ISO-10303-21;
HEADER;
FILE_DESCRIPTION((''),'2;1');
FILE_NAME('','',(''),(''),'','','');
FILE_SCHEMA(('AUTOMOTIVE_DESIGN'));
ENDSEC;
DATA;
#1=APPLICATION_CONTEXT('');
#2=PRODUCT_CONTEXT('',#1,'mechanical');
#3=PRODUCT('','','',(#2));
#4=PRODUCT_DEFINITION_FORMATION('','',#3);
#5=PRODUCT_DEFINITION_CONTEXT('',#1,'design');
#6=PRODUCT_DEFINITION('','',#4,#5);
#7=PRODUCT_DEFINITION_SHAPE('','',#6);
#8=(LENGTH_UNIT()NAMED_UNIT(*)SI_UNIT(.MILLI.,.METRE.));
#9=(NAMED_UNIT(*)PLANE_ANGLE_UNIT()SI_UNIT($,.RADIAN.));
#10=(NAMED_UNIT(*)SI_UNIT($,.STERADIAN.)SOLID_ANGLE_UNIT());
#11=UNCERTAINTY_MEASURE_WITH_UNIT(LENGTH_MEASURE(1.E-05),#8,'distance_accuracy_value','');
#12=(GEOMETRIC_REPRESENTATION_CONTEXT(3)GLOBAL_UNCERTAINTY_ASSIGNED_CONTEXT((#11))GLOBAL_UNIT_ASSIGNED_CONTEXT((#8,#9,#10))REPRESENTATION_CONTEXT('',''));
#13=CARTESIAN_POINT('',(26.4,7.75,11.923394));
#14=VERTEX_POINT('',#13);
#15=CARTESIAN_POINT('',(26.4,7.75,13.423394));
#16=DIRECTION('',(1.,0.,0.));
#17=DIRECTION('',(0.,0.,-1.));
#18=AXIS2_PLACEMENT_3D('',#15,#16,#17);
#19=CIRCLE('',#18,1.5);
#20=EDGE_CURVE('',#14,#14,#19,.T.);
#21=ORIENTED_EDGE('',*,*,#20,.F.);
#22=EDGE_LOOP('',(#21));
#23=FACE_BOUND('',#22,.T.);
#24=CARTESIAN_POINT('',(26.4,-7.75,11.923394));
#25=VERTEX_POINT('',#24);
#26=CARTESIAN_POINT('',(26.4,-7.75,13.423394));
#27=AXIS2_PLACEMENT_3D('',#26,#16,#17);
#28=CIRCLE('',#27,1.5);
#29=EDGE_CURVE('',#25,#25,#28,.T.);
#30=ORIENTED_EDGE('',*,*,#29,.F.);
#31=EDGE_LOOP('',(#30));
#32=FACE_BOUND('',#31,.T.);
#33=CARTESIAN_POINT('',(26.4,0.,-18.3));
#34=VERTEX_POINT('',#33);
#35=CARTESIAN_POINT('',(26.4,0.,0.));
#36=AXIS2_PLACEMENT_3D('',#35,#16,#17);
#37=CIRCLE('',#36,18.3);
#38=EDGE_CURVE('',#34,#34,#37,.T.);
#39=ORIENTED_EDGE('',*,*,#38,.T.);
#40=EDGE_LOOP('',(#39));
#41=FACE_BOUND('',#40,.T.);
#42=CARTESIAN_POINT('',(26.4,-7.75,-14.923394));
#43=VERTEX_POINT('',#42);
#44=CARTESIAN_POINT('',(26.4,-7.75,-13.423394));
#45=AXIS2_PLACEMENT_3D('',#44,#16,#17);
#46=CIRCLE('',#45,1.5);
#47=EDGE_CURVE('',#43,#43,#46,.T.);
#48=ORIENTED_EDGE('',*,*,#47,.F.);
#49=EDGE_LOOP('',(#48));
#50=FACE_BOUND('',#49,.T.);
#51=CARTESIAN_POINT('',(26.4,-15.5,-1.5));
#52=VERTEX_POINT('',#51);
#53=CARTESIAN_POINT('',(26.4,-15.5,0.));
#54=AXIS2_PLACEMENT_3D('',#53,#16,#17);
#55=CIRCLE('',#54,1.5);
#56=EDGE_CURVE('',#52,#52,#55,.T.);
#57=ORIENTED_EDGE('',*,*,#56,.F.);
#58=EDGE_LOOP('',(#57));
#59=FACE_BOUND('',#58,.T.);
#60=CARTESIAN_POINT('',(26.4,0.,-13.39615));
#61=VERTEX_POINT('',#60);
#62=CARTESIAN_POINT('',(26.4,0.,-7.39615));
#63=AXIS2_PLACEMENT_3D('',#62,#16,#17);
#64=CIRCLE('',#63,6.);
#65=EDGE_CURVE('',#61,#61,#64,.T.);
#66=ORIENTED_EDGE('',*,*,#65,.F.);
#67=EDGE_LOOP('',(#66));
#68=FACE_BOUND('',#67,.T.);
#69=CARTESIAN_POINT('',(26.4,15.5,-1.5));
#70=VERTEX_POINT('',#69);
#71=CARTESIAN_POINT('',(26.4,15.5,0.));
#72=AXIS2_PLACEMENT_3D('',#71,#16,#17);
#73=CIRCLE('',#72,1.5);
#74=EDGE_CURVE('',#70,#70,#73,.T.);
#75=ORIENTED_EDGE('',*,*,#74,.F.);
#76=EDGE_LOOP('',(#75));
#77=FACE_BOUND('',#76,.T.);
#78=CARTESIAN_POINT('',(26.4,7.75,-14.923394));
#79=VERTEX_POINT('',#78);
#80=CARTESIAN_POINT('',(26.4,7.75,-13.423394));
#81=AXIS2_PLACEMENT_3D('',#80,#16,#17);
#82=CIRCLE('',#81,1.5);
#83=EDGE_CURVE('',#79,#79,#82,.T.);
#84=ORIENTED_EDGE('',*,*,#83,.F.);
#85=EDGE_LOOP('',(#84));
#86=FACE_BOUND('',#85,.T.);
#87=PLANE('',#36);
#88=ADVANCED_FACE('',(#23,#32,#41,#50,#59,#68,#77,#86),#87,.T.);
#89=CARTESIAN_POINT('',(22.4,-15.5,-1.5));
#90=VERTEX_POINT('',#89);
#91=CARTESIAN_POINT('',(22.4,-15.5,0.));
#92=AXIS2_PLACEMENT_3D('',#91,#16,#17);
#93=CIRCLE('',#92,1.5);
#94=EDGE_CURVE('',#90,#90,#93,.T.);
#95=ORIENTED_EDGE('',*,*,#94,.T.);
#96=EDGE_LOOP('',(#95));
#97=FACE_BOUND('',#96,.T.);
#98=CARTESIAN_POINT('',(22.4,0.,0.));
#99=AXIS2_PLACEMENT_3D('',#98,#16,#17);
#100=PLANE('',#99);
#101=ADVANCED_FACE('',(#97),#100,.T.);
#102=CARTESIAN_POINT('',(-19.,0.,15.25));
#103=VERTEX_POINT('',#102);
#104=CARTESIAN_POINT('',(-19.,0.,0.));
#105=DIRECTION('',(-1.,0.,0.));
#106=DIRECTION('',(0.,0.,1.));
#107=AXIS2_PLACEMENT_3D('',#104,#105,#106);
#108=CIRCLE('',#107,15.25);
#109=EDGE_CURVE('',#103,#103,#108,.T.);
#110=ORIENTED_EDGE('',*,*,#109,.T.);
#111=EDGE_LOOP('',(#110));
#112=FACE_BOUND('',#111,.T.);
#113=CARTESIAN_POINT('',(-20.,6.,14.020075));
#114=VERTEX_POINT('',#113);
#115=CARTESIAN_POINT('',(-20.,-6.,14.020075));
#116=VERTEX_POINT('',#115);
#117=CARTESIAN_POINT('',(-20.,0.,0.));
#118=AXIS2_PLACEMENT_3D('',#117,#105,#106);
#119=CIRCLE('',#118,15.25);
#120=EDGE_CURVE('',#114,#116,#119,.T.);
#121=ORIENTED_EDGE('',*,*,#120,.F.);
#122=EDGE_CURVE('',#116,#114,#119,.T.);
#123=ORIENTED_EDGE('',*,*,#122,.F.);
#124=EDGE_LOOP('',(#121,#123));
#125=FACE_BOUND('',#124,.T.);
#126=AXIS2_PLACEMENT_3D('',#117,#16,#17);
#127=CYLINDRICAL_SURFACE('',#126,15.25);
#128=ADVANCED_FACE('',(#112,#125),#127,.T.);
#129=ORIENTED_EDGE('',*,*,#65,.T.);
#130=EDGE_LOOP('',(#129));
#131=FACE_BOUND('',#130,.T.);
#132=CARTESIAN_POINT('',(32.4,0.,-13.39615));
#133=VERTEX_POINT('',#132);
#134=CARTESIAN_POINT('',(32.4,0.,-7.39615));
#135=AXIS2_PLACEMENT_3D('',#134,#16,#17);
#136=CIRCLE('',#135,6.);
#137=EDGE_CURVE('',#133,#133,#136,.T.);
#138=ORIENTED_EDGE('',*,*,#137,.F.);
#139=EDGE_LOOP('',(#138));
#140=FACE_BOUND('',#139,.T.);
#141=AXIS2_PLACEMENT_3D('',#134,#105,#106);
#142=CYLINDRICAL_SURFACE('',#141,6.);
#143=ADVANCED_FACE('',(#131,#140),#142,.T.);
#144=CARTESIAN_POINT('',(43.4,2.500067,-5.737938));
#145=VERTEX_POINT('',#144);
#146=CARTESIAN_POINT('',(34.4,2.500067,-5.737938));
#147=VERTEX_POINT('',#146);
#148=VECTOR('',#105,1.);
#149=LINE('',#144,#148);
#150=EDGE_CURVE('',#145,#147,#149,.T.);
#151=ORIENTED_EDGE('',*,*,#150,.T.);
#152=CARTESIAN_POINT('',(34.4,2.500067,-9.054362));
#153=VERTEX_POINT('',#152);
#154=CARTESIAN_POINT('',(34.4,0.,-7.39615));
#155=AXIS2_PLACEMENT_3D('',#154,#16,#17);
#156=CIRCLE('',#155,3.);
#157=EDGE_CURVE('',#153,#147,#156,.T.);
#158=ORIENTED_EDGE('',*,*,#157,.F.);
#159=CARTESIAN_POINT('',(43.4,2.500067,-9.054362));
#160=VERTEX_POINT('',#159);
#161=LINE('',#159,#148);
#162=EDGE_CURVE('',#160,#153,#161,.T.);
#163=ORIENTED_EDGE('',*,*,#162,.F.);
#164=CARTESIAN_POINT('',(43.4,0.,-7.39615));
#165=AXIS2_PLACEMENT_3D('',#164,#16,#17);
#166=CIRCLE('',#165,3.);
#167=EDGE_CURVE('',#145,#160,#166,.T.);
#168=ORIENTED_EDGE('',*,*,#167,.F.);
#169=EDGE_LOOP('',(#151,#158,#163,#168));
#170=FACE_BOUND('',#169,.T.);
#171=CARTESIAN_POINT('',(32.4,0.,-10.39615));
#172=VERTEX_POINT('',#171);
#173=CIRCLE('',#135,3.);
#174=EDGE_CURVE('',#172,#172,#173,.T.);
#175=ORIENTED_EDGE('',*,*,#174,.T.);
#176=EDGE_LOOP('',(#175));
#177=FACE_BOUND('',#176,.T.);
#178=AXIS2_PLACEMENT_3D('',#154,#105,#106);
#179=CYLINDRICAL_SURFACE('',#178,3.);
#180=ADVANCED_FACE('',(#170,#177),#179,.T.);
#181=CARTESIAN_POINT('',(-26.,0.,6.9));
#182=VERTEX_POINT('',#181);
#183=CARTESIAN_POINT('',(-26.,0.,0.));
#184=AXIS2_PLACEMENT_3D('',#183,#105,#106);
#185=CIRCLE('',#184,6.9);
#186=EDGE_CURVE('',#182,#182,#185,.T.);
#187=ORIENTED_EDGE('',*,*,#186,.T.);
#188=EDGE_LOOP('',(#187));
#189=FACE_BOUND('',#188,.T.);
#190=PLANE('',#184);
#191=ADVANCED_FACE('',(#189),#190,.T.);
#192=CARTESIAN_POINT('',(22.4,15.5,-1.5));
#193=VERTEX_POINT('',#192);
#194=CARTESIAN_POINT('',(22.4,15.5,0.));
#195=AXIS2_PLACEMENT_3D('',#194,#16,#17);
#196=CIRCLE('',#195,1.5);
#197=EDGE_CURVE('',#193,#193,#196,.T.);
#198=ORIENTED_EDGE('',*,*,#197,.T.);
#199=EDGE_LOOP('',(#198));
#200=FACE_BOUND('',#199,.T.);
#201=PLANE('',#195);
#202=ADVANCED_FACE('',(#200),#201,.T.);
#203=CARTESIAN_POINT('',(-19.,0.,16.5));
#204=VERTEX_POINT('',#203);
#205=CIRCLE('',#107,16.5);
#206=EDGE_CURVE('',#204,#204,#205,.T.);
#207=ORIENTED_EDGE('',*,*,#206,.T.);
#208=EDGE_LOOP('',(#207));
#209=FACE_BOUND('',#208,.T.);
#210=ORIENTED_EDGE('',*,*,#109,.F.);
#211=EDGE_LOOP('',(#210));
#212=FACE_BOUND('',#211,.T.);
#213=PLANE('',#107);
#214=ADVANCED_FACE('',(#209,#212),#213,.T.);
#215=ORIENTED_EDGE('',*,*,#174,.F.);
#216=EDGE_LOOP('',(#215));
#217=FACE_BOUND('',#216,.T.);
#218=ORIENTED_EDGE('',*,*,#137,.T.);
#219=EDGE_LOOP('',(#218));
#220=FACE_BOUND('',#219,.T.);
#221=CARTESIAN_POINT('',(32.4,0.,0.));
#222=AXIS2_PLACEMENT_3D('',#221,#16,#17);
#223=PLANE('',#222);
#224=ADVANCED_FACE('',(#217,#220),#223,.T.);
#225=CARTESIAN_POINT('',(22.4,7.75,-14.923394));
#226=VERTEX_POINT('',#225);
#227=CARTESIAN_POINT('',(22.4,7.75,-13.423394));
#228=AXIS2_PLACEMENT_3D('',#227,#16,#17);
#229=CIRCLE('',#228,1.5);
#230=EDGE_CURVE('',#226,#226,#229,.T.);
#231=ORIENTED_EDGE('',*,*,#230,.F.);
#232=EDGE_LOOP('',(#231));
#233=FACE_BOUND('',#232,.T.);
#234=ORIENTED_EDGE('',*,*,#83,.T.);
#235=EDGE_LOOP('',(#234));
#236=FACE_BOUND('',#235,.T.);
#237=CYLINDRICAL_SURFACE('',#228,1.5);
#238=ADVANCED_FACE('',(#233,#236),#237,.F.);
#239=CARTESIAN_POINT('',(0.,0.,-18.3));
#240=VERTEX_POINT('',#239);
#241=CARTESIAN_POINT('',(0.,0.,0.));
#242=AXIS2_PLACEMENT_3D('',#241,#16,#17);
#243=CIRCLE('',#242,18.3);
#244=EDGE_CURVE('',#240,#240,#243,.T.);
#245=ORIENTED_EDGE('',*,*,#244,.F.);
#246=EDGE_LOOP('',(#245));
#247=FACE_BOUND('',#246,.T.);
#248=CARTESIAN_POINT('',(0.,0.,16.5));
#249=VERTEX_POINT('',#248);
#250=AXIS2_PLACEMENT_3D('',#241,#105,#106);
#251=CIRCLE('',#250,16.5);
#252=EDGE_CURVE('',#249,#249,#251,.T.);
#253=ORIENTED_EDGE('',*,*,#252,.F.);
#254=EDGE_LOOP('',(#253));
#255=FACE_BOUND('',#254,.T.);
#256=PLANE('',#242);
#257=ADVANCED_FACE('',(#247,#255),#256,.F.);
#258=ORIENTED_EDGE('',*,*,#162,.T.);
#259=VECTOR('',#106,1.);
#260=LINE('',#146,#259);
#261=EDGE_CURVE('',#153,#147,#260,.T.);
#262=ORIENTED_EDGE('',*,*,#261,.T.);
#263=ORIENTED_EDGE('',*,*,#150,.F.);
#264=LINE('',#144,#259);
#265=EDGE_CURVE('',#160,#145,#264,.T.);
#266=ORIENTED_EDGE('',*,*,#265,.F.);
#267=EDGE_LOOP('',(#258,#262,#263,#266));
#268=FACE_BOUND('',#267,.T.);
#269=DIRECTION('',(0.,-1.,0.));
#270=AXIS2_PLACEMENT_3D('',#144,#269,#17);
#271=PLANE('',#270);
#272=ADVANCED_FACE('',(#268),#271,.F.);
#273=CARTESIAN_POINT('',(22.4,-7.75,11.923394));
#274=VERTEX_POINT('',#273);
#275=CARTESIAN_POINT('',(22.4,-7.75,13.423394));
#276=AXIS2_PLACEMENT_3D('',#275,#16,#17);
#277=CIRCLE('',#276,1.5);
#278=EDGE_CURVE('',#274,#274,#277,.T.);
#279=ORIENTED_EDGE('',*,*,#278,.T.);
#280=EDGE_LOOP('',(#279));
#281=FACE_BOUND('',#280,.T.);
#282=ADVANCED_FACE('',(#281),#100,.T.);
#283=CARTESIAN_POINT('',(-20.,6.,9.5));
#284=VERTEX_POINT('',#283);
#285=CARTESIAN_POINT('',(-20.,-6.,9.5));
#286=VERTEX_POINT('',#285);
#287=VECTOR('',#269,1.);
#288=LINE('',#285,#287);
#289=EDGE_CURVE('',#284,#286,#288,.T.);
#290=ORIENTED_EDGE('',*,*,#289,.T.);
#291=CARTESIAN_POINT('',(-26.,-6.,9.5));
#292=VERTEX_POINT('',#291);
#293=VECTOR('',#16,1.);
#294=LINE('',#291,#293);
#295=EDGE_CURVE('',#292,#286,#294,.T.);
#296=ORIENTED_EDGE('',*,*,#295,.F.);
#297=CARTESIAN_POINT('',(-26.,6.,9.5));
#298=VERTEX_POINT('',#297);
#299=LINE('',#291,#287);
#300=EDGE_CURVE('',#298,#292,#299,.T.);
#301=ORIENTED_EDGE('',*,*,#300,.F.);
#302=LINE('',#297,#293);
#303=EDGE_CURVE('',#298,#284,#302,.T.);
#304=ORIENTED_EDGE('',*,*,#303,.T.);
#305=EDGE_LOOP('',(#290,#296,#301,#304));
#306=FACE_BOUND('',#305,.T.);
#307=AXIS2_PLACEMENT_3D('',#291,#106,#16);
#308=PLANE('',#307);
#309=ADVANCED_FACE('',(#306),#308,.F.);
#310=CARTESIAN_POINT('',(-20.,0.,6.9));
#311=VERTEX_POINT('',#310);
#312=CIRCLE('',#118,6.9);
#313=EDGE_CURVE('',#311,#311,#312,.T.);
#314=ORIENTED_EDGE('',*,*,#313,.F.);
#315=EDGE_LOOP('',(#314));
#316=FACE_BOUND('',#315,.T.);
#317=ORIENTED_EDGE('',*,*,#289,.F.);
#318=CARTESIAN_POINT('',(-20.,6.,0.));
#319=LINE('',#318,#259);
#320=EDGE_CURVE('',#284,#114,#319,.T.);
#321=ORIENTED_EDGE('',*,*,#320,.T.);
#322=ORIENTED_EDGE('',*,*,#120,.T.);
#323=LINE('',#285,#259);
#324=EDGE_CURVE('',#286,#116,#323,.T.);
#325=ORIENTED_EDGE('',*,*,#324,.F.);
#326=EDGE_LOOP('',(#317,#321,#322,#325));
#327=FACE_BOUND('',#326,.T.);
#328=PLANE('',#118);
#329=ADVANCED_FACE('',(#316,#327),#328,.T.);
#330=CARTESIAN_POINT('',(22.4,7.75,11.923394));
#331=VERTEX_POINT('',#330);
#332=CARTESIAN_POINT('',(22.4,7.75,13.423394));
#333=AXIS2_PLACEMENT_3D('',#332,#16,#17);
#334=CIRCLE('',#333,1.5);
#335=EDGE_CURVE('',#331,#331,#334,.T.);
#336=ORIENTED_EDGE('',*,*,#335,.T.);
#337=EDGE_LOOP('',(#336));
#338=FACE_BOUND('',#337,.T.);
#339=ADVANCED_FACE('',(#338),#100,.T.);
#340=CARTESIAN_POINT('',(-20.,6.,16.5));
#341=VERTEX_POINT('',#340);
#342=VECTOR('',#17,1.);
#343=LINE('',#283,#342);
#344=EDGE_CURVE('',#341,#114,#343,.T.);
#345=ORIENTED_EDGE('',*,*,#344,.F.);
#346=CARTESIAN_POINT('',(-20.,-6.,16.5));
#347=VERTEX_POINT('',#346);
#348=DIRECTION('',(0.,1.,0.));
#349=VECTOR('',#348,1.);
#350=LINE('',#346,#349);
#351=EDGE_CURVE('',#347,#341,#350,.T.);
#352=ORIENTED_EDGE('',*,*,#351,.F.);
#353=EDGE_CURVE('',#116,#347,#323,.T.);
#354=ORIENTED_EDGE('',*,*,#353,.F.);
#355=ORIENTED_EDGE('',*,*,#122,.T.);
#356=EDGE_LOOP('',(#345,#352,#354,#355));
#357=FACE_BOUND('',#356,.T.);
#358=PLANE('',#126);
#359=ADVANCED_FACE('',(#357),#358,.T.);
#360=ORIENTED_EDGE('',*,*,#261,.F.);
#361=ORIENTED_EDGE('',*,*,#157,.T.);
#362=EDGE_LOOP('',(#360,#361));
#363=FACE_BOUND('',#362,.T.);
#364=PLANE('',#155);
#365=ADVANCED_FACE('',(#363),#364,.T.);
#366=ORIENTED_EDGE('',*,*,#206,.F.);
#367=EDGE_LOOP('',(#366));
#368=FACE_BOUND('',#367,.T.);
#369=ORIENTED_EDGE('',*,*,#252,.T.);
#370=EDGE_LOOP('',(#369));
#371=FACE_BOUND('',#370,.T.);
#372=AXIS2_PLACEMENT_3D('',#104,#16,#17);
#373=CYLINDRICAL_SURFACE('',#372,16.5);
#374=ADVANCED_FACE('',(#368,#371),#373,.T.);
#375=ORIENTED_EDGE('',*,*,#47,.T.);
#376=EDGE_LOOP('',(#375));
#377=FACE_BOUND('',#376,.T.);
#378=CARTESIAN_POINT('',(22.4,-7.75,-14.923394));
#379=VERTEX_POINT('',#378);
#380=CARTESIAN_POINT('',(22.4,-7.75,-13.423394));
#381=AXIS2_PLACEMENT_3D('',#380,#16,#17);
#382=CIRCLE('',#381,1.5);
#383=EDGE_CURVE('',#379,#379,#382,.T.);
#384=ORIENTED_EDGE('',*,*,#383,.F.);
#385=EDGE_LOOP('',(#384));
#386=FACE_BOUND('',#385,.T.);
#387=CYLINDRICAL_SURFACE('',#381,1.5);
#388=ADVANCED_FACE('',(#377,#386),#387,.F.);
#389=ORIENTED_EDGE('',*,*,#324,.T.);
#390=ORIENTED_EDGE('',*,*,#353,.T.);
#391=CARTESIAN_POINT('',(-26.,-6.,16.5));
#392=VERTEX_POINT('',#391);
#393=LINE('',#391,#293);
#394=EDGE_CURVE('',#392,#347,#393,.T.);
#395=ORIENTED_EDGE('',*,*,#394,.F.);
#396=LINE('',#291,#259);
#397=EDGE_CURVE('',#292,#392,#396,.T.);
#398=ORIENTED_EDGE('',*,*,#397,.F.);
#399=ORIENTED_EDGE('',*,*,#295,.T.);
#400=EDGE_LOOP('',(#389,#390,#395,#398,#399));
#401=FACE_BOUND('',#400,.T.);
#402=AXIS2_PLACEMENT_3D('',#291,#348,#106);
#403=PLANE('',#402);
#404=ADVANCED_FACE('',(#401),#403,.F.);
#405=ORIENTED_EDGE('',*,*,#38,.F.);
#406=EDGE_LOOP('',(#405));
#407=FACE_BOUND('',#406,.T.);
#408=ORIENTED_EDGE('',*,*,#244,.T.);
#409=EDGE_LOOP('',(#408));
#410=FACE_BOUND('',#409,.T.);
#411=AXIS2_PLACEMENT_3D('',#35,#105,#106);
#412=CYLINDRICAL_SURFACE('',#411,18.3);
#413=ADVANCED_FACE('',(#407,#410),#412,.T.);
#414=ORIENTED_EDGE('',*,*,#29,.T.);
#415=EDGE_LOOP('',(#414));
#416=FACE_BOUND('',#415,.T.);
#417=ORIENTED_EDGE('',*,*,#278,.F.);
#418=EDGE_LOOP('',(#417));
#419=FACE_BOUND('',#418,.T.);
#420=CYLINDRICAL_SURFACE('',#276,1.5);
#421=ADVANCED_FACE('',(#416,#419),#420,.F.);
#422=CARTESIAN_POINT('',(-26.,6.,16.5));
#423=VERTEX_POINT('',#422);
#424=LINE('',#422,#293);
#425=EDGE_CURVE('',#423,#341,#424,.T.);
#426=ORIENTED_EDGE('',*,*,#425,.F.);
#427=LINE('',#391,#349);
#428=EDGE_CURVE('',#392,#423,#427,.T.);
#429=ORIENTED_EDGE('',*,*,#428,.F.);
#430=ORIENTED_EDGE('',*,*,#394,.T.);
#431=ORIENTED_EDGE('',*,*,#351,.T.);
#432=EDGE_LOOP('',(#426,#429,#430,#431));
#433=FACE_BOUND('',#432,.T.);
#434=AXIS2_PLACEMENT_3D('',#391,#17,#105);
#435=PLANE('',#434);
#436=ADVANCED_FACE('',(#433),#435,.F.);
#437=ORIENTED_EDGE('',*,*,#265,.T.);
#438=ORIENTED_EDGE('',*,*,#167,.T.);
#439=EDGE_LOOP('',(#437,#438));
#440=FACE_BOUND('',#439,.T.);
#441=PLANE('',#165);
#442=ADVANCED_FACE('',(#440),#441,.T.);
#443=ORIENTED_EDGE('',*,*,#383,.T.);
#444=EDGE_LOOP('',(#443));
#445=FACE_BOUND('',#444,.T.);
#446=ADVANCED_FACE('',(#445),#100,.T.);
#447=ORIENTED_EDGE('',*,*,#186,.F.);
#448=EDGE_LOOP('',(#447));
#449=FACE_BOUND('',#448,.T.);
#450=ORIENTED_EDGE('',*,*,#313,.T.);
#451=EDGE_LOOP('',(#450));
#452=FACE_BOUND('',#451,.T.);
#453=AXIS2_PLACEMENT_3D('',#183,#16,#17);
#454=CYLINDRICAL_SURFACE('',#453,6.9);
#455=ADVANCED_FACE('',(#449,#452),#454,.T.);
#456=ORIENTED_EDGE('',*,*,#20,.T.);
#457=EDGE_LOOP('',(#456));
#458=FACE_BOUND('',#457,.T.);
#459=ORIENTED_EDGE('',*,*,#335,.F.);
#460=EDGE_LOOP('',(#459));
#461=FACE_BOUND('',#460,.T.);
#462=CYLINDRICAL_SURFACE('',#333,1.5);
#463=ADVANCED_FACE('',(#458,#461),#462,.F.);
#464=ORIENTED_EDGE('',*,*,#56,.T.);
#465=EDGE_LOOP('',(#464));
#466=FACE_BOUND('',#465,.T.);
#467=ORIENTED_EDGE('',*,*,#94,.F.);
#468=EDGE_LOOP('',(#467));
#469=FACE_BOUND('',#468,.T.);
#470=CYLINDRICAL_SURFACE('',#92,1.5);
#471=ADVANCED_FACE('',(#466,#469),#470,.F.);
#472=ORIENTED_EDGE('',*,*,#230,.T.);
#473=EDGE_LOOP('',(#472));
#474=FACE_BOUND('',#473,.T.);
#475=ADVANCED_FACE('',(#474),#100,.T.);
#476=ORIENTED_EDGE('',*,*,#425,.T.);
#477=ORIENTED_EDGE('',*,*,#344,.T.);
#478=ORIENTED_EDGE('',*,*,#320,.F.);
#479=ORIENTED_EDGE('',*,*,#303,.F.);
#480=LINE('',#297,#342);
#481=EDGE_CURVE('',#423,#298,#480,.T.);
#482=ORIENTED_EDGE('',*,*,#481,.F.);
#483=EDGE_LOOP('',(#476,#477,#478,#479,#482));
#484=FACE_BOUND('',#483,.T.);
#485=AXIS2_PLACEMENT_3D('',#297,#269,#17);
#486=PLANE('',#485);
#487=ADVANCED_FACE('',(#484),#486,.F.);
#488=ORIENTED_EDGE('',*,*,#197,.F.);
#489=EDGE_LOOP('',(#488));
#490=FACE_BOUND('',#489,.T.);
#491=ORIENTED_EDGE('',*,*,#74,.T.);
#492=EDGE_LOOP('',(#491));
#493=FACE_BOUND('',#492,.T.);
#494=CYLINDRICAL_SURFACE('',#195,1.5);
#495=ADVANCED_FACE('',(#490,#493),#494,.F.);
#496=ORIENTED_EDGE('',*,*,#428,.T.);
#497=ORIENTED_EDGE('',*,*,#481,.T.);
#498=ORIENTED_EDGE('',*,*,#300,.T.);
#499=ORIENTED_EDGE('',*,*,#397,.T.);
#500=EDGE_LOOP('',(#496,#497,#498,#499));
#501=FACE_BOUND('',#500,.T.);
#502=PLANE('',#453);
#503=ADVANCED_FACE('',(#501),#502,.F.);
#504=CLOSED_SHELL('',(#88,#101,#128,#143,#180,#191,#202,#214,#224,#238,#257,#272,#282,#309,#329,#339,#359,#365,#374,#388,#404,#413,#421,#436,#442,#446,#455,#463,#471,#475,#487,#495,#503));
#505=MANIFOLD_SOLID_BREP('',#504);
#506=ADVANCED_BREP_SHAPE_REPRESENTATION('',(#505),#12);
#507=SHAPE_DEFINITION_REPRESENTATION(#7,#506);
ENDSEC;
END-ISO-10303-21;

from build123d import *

# Parameters (mm, degrees)
SKETCH_1_R          = 18.3
EXTRUDE_1_DEPTH     = 26.4
SKETCH_4_R          = 16.5
EXTRUDE_2_DEPTH     = 19
SKETCH_5_R          = 15.25
EXTRUDE_3_DEPTH     = 1
SKETCH_6_R          = 6.9
EXTRUDE_4_DEPTH     = 6
SKETCH_7_W          = 7
SKETCH_7_H          = 12
EXTRUDE_5_DEPTH     = 6
SKETCH_3_R          = 1.5
CUT_EXTRUDE_7_DEPTH = 4
SKETCH_18_R         = 6
EXTRUDE_7_DEPTH     = 6
SKETCH_19_R         = 3
EXTRUDE_9_DEPTH     = 2
EXTRUDE_10_DEPTH    = 9


with BuildPart() as part:
    # 草图1 → 凸台-拉伸1 (new body)
    with BuildSketch(Plane(origin=(0, 0, 0), x_dir=(0, 0, -1), z_dir=(1, 0, 0))):
        Circle(SKETCH_1_R)
    extrude(amount=EXTRUDE_1_DEPTH)

    # 草图4 → 凸台-拉伸2 (add)
    with BuildSketch(Plane.ZY):
        Circle(SKETCH_4_R)
    extrude(amount=EXTRUDE_2_DEPTH)

    # 草图5 → 凸台-拉伸3 (add)
    with BuildSketch(Plane.ZY.offset(19)):
        Circle(SKETCH_5_R)
    extrude(amount=EXTRUDE_3_DEPTH)

    # 草图6 → 凸台-拉伸4 (add)
    with BuildSketch(Plane.ZY.offset(20)):
        Circle(SKETCH_6_R)
    extrude(amount=EXTRUDE_4_DEPTH)

    # 草图7 → 凸台-拉伸5 (add)
    with BuildSketch(Plane.ZY.offset(20)):
        with Locations((13, 0)):
            Rectangle(SKETCH_7_W, SKETCH_7_H)
    extrude(amount=EXTRUDE_5_DEPTH)

    # 草图3 → 切除-拉伸7 (cut)
    with BuildSketch(Plane(origin=(26.4, 0, 0), x_dir=(0, 0, -1), z_dir=(1, 0, 0))):
        with Locations((-13.423393759, 7.75)):
            Circle(SKETCH_3_R)
        with Locations((-13.423393759, -7.75)):
            Circle(SKETCH_3_R)
        with Locations((0, -15.5)):
            Circle(SKETCH_3_R)
        with Locations((13.423393759, -7.75)):
            Circle(SKETCH_3_R)
        with Locations((13.423393759, 7.75)):
            Circle(SKETCH_3_R)
        with Locations((0, 15.5)):
            Circle(SKETCH_3_R)
    extrude(amount=-CUT_EXTRUDE_7_DEPTH, mode=Mode.SUBTRACT)

    # 草图18 → 凸台-拉伸7 (add)
    with BuildSketch(Plane(origin=(26.4, 0, 0), x_dir=(0, 0, -1), z_dir=(1, 0, 0))):
        with Locations((7.396149949, 0)):
            Circle(SKETCH_18_R)
    extrude(amount=EXTRUDE_7_DEPTH)

    # 草图19 → 凸台-拉伸9 (add)
    with BuildSketch(Plane(origin=(32.4, 0, 0), x_dir=(0, 0, -1), z_dir=(1, 0, 0))):
        with Locations((7.396149949, 0)):
            Circle(SKETCH_19_R)
    extrude(amount=EXTRUDE_9_DEPTH)

    # 草图23 → 凸台-拉伸10 (add)
    with BuildSketch(Plane(origin=(34.4, 0, 0), x_dir=(0, 0, -1), z_dir=(1, 0, 0))):
        with BuildLine():
            Line((5.737938338, 2.500066849), (9.054361561, 2.500066849))
            ThreePointArc((9.054361561, 2.500066849), (7.396149949, -3), (5.737938338, 2.500066849))
        make_face()
    extrude(amount=EXTRUDE_10_DEPTH)


solid = part.part
